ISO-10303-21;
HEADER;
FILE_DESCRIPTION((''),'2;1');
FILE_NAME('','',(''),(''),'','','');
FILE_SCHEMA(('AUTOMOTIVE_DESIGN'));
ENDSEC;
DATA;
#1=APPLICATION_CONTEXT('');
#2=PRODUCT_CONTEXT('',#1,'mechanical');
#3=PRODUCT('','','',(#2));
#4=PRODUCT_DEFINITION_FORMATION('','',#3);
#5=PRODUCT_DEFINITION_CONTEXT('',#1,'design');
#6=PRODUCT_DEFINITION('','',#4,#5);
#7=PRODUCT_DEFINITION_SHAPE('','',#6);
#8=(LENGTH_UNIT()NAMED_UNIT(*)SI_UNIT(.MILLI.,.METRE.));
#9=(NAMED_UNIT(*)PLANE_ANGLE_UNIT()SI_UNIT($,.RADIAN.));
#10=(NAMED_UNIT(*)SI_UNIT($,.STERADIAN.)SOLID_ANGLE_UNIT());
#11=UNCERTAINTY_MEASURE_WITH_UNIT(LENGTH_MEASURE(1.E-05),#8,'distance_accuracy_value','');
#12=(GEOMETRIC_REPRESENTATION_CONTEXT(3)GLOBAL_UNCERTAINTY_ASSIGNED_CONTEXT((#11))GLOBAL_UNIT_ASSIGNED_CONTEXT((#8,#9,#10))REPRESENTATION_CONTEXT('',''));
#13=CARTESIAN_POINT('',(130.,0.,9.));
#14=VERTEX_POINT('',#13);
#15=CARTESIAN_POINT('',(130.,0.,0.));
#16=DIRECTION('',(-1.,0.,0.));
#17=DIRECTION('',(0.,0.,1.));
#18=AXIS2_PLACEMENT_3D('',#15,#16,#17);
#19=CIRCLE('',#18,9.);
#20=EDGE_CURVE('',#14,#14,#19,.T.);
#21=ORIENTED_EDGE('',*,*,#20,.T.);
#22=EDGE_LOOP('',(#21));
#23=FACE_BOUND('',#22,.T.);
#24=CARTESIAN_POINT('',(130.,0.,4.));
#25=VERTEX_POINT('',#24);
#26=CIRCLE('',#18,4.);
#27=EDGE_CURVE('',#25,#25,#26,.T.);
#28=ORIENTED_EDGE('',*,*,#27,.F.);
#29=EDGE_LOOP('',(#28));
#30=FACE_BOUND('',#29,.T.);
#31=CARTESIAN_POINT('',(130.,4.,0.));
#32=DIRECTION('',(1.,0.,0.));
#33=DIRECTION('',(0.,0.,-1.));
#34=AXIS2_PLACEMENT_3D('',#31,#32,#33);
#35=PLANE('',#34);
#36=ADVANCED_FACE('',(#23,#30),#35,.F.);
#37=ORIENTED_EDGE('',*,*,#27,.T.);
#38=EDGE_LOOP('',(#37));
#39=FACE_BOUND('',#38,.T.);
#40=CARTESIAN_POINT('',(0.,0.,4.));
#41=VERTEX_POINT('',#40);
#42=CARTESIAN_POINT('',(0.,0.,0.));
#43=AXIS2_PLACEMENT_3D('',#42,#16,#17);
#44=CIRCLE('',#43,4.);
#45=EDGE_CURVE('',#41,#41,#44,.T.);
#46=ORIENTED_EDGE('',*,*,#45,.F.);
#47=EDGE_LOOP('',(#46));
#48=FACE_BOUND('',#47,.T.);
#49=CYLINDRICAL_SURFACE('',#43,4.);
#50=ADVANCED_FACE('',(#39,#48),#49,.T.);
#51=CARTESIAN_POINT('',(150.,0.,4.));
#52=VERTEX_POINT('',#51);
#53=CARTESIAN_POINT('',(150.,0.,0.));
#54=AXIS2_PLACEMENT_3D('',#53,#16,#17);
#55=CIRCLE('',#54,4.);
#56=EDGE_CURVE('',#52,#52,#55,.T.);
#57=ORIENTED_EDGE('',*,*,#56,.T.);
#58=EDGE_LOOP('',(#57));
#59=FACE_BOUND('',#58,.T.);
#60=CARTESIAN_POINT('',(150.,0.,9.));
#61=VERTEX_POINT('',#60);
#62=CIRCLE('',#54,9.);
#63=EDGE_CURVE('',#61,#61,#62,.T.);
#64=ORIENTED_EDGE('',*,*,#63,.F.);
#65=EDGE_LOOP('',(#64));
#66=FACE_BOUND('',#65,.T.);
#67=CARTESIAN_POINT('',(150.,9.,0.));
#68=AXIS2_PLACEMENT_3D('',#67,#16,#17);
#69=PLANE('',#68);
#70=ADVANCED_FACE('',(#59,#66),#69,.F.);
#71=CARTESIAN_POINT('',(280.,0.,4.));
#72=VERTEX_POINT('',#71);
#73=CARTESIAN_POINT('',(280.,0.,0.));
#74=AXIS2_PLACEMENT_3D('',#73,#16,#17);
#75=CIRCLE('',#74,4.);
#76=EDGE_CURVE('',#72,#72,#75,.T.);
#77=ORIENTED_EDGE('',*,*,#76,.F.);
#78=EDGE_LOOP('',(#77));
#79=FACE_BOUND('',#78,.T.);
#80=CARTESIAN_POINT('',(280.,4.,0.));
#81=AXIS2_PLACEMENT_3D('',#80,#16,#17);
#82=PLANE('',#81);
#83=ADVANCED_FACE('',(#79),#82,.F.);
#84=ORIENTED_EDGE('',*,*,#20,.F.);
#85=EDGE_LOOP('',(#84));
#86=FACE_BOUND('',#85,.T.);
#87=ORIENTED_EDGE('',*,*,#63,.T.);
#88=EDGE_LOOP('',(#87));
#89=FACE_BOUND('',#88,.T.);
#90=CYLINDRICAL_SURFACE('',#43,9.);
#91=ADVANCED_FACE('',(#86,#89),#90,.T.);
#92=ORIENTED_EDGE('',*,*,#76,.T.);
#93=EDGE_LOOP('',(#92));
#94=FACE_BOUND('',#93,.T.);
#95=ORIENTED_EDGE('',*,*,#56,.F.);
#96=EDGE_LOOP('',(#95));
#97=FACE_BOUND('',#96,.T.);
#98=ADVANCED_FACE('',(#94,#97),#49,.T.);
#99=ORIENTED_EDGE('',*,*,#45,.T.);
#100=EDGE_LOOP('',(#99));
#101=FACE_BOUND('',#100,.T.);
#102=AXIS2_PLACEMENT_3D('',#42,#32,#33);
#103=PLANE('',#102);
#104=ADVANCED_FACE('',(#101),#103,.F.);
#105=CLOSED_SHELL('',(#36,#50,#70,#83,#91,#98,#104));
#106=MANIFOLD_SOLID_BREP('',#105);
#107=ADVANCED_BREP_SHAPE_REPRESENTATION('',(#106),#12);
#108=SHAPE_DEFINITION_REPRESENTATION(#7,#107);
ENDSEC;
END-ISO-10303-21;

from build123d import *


with BuildPart() as part:
    # 草图1 → 旋转1 (revolve)
    with BuildSketch(Plane.XY, mode=Mode.PRIVATE) as revolve_1_sk:
        Polygon((0, 0), (0, 4), (130, 4), (130, 9), (150, 9), (150, 4), (280, 4), (280, 0), align=None)
    revolve(revolve_1_sk.sketch.rotate(Axis((0, 0, 0), (1, 0, 0)), 90), axis=Axis((0, 0, 0), (1, 0, 0)))


solid = part.part
